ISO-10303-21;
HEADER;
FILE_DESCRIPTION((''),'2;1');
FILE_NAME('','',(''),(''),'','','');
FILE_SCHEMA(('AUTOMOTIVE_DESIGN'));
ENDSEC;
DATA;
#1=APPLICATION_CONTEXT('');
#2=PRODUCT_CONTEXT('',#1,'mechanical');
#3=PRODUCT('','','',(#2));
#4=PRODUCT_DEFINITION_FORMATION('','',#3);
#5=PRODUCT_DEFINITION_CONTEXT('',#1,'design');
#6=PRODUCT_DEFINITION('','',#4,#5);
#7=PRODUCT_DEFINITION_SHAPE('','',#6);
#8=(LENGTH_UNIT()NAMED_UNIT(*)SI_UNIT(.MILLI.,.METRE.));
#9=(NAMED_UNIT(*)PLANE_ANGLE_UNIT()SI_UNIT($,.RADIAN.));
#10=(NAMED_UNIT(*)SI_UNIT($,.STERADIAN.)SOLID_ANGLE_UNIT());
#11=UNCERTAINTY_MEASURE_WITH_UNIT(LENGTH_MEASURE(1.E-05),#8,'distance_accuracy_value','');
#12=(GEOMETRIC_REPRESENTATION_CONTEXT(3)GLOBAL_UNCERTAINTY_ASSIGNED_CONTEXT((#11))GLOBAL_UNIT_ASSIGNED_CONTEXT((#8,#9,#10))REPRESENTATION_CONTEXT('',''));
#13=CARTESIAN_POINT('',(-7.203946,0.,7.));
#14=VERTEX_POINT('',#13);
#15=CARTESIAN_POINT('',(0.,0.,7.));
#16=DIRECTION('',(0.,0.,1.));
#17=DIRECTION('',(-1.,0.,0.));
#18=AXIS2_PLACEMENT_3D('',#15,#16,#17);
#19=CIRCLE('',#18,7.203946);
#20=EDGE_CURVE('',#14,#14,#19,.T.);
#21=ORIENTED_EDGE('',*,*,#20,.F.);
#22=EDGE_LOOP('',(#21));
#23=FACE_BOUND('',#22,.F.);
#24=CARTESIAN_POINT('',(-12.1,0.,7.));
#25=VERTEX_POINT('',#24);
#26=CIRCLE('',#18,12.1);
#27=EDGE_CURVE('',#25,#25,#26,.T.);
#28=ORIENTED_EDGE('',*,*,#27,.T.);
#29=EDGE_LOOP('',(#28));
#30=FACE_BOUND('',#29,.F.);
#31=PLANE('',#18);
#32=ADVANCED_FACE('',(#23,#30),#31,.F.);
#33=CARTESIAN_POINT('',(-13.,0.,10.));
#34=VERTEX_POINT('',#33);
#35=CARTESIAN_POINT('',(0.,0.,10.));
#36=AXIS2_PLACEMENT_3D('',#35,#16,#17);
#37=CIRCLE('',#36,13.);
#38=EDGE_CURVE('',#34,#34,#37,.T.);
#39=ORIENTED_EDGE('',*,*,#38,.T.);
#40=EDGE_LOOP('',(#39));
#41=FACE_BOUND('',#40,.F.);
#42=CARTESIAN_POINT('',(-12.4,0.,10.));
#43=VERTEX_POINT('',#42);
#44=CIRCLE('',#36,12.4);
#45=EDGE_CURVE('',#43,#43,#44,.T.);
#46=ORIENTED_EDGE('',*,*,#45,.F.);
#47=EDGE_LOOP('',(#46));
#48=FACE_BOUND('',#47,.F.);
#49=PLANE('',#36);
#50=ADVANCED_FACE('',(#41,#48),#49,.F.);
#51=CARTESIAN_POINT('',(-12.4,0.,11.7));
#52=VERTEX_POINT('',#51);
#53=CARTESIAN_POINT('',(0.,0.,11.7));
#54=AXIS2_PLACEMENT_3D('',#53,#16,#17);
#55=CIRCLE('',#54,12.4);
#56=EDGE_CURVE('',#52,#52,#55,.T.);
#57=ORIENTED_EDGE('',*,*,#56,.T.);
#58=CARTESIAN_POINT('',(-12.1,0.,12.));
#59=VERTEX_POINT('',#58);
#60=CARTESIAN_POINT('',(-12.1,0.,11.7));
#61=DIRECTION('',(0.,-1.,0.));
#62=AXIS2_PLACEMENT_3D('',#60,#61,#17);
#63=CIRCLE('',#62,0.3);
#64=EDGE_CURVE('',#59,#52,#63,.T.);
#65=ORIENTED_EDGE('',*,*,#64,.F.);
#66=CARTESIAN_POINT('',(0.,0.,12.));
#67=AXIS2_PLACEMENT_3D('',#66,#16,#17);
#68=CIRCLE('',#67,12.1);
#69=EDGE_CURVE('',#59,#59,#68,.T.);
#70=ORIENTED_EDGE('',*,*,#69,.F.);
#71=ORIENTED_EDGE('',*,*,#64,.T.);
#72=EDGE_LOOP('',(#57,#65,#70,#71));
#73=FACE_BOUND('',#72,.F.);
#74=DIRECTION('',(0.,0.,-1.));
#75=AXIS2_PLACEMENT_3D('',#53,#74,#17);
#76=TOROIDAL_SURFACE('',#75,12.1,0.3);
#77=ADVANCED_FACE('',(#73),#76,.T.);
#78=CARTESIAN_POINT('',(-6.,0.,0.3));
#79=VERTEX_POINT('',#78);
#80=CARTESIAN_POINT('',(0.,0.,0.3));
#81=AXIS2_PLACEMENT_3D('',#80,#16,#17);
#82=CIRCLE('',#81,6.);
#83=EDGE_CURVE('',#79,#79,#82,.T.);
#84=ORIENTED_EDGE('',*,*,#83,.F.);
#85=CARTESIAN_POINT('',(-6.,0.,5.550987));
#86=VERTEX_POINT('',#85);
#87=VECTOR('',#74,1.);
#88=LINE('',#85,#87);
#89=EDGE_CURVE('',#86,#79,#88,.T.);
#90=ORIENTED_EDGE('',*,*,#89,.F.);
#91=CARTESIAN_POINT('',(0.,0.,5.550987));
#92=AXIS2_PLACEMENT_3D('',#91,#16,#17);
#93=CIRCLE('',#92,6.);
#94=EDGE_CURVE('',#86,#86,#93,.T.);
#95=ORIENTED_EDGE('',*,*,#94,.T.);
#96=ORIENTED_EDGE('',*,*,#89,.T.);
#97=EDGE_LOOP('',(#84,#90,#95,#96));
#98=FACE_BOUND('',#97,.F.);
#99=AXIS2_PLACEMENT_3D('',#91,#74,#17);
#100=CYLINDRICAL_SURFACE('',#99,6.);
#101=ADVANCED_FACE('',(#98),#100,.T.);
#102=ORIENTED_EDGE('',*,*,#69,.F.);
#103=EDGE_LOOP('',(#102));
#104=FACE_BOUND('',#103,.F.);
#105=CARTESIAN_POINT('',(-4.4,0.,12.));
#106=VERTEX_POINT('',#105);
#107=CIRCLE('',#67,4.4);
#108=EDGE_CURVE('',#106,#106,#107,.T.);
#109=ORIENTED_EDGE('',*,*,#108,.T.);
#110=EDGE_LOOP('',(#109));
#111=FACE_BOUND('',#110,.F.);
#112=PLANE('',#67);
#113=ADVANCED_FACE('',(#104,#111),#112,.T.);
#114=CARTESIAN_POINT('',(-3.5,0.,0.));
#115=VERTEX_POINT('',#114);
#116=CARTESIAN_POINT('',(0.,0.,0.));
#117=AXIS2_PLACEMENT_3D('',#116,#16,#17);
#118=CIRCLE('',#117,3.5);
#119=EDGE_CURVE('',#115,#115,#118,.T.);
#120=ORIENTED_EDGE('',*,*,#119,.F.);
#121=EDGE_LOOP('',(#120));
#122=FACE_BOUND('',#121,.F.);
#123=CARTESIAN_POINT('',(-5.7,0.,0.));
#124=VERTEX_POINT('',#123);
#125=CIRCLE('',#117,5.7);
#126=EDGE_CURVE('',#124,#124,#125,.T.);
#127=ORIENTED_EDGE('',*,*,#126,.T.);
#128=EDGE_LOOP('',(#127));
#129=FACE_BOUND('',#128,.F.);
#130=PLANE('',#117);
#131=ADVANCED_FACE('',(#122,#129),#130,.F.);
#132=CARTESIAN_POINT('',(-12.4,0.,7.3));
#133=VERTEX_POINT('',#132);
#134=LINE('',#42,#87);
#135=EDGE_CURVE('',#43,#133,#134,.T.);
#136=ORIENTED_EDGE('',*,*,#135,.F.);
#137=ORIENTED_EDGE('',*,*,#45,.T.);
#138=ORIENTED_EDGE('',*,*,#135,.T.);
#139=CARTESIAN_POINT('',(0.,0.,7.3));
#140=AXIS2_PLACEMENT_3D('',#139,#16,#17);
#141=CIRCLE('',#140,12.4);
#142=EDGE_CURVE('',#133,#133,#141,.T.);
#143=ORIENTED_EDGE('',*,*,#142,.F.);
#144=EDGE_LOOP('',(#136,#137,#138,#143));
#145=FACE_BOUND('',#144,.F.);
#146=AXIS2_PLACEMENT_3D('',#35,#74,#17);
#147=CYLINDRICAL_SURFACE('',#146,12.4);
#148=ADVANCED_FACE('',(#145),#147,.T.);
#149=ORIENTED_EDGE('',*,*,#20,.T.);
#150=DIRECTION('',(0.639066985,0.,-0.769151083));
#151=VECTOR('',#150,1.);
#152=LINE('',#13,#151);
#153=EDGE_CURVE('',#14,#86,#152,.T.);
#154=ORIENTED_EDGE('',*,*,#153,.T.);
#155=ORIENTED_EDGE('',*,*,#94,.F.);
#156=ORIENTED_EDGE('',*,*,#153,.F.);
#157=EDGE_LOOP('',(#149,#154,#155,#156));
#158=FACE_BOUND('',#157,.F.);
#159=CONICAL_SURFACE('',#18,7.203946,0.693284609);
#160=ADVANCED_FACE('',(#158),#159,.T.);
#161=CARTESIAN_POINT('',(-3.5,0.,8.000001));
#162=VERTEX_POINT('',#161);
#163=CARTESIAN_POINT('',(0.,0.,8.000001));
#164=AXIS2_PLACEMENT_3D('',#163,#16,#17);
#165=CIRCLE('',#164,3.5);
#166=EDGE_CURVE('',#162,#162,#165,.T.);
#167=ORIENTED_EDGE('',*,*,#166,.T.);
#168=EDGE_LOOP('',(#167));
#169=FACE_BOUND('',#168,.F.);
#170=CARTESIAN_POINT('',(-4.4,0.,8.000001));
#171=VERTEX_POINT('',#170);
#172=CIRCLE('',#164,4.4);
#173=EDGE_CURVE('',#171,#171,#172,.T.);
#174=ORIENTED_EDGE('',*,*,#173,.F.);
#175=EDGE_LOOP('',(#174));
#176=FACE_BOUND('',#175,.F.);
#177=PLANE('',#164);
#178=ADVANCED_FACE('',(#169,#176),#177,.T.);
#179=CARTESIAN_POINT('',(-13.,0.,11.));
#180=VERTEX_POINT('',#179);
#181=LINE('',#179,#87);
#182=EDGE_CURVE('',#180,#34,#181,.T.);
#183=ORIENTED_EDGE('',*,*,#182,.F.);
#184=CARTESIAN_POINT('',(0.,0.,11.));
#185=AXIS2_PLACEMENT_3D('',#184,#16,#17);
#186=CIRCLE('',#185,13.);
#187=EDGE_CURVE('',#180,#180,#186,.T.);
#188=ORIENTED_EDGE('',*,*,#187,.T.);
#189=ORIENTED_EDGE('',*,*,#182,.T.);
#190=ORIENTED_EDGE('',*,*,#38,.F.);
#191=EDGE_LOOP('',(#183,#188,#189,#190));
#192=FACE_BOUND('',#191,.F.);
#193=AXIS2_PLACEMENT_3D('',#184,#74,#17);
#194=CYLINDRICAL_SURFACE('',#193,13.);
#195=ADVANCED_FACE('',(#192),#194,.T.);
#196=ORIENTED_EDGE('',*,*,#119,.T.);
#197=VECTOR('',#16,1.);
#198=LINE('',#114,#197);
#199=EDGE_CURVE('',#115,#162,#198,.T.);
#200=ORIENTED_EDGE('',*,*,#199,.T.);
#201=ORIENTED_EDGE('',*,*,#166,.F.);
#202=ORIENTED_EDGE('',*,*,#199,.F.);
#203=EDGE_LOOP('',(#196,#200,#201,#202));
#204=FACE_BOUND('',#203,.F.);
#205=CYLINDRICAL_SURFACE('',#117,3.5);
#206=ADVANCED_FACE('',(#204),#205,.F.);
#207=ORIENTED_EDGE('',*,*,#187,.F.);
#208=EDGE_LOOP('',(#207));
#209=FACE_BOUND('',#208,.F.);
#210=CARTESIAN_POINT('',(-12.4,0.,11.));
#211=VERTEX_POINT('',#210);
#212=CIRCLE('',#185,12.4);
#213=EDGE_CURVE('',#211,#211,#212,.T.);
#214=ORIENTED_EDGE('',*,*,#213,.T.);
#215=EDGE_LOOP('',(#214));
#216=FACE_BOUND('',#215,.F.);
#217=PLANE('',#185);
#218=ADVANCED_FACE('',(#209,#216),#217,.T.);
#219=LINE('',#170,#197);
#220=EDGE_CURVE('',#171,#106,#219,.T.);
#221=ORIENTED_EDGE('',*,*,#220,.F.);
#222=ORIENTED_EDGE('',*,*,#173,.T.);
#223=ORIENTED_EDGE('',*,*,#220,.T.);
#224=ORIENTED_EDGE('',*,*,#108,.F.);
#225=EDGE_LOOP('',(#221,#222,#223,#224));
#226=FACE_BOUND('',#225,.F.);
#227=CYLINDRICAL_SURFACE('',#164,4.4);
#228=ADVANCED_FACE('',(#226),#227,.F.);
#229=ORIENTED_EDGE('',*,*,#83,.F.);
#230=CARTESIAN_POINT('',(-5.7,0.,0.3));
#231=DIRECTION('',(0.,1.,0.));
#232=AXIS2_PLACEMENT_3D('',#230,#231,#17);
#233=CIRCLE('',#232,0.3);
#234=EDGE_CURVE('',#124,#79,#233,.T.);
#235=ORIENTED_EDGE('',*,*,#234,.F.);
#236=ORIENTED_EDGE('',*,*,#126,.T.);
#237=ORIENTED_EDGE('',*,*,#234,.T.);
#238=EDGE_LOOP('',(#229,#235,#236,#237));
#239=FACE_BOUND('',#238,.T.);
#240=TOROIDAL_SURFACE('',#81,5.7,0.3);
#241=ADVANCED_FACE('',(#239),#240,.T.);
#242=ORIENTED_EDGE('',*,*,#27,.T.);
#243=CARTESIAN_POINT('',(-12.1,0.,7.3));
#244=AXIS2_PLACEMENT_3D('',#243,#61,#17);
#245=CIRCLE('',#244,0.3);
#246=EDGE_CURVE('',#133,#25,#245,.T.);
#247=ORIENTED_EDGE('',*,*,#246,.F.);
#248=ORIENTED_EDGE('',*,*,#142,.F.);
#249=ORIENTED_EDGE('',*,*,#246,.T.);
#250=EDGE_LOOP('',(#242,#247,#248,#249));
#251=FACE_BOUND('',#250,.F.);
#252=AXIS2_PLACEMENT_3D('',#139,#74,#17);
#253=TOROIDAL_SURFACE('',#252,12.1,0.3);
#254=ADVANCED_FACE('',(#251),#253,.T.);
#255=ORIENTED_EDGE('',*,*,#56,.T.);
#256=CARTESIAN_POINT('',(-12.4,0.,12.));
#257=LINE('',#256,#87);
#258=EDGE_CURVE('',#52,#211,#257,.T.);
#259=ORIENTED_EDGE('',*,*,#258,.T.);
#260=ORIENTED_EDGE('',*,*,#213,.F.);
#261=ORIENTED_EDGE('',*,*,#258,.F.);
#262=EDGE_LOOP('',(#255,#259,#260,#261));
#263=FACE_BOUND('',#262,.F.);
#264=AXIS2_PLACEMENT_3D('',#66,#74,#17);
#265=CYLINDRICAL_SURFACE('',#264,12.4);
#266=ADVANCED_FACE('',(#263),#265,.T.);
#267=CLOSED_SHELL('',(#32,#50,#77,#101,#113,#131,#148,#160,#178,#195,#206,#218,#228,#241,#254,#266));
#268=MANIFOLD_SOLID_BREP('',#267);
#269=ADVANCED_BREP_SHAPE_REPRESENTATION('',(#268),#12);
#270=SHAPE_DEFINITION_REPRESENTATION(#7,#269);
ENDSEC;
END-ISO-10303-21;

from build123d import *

# Parameters (mm, degrees)
F2_R = 0.3


with BuildPart() as f1:
    # F0 (on Front) → F1 (revolve)
    with BuildSketch(Plane.XZ):
        Polygon((-6, 0), (-3.5, 0), (-3.5, 8.000001), (-4.4, 8.000001), (-4.4, 12), (-12.4, 12), (-12.4, 11), (-13, 11), (-13, 10), (-12.4, 10), (-12.4, 7), (-7.203946, 7), (-6, 5.550987), align=None)
    revolve(axis=Axis((0, 0, 7.469198), (0, 0, 1)))

    # F2
    f2_edges = [f1.edges().sort_by_distance(p)[0] for p in [
        (12.4, 0, 12),
        (12.4, 0, 7),
        (6, 0, 0),
    ]]
    fillet(f2_edges, radius=F2_R)


solid = f1.part
